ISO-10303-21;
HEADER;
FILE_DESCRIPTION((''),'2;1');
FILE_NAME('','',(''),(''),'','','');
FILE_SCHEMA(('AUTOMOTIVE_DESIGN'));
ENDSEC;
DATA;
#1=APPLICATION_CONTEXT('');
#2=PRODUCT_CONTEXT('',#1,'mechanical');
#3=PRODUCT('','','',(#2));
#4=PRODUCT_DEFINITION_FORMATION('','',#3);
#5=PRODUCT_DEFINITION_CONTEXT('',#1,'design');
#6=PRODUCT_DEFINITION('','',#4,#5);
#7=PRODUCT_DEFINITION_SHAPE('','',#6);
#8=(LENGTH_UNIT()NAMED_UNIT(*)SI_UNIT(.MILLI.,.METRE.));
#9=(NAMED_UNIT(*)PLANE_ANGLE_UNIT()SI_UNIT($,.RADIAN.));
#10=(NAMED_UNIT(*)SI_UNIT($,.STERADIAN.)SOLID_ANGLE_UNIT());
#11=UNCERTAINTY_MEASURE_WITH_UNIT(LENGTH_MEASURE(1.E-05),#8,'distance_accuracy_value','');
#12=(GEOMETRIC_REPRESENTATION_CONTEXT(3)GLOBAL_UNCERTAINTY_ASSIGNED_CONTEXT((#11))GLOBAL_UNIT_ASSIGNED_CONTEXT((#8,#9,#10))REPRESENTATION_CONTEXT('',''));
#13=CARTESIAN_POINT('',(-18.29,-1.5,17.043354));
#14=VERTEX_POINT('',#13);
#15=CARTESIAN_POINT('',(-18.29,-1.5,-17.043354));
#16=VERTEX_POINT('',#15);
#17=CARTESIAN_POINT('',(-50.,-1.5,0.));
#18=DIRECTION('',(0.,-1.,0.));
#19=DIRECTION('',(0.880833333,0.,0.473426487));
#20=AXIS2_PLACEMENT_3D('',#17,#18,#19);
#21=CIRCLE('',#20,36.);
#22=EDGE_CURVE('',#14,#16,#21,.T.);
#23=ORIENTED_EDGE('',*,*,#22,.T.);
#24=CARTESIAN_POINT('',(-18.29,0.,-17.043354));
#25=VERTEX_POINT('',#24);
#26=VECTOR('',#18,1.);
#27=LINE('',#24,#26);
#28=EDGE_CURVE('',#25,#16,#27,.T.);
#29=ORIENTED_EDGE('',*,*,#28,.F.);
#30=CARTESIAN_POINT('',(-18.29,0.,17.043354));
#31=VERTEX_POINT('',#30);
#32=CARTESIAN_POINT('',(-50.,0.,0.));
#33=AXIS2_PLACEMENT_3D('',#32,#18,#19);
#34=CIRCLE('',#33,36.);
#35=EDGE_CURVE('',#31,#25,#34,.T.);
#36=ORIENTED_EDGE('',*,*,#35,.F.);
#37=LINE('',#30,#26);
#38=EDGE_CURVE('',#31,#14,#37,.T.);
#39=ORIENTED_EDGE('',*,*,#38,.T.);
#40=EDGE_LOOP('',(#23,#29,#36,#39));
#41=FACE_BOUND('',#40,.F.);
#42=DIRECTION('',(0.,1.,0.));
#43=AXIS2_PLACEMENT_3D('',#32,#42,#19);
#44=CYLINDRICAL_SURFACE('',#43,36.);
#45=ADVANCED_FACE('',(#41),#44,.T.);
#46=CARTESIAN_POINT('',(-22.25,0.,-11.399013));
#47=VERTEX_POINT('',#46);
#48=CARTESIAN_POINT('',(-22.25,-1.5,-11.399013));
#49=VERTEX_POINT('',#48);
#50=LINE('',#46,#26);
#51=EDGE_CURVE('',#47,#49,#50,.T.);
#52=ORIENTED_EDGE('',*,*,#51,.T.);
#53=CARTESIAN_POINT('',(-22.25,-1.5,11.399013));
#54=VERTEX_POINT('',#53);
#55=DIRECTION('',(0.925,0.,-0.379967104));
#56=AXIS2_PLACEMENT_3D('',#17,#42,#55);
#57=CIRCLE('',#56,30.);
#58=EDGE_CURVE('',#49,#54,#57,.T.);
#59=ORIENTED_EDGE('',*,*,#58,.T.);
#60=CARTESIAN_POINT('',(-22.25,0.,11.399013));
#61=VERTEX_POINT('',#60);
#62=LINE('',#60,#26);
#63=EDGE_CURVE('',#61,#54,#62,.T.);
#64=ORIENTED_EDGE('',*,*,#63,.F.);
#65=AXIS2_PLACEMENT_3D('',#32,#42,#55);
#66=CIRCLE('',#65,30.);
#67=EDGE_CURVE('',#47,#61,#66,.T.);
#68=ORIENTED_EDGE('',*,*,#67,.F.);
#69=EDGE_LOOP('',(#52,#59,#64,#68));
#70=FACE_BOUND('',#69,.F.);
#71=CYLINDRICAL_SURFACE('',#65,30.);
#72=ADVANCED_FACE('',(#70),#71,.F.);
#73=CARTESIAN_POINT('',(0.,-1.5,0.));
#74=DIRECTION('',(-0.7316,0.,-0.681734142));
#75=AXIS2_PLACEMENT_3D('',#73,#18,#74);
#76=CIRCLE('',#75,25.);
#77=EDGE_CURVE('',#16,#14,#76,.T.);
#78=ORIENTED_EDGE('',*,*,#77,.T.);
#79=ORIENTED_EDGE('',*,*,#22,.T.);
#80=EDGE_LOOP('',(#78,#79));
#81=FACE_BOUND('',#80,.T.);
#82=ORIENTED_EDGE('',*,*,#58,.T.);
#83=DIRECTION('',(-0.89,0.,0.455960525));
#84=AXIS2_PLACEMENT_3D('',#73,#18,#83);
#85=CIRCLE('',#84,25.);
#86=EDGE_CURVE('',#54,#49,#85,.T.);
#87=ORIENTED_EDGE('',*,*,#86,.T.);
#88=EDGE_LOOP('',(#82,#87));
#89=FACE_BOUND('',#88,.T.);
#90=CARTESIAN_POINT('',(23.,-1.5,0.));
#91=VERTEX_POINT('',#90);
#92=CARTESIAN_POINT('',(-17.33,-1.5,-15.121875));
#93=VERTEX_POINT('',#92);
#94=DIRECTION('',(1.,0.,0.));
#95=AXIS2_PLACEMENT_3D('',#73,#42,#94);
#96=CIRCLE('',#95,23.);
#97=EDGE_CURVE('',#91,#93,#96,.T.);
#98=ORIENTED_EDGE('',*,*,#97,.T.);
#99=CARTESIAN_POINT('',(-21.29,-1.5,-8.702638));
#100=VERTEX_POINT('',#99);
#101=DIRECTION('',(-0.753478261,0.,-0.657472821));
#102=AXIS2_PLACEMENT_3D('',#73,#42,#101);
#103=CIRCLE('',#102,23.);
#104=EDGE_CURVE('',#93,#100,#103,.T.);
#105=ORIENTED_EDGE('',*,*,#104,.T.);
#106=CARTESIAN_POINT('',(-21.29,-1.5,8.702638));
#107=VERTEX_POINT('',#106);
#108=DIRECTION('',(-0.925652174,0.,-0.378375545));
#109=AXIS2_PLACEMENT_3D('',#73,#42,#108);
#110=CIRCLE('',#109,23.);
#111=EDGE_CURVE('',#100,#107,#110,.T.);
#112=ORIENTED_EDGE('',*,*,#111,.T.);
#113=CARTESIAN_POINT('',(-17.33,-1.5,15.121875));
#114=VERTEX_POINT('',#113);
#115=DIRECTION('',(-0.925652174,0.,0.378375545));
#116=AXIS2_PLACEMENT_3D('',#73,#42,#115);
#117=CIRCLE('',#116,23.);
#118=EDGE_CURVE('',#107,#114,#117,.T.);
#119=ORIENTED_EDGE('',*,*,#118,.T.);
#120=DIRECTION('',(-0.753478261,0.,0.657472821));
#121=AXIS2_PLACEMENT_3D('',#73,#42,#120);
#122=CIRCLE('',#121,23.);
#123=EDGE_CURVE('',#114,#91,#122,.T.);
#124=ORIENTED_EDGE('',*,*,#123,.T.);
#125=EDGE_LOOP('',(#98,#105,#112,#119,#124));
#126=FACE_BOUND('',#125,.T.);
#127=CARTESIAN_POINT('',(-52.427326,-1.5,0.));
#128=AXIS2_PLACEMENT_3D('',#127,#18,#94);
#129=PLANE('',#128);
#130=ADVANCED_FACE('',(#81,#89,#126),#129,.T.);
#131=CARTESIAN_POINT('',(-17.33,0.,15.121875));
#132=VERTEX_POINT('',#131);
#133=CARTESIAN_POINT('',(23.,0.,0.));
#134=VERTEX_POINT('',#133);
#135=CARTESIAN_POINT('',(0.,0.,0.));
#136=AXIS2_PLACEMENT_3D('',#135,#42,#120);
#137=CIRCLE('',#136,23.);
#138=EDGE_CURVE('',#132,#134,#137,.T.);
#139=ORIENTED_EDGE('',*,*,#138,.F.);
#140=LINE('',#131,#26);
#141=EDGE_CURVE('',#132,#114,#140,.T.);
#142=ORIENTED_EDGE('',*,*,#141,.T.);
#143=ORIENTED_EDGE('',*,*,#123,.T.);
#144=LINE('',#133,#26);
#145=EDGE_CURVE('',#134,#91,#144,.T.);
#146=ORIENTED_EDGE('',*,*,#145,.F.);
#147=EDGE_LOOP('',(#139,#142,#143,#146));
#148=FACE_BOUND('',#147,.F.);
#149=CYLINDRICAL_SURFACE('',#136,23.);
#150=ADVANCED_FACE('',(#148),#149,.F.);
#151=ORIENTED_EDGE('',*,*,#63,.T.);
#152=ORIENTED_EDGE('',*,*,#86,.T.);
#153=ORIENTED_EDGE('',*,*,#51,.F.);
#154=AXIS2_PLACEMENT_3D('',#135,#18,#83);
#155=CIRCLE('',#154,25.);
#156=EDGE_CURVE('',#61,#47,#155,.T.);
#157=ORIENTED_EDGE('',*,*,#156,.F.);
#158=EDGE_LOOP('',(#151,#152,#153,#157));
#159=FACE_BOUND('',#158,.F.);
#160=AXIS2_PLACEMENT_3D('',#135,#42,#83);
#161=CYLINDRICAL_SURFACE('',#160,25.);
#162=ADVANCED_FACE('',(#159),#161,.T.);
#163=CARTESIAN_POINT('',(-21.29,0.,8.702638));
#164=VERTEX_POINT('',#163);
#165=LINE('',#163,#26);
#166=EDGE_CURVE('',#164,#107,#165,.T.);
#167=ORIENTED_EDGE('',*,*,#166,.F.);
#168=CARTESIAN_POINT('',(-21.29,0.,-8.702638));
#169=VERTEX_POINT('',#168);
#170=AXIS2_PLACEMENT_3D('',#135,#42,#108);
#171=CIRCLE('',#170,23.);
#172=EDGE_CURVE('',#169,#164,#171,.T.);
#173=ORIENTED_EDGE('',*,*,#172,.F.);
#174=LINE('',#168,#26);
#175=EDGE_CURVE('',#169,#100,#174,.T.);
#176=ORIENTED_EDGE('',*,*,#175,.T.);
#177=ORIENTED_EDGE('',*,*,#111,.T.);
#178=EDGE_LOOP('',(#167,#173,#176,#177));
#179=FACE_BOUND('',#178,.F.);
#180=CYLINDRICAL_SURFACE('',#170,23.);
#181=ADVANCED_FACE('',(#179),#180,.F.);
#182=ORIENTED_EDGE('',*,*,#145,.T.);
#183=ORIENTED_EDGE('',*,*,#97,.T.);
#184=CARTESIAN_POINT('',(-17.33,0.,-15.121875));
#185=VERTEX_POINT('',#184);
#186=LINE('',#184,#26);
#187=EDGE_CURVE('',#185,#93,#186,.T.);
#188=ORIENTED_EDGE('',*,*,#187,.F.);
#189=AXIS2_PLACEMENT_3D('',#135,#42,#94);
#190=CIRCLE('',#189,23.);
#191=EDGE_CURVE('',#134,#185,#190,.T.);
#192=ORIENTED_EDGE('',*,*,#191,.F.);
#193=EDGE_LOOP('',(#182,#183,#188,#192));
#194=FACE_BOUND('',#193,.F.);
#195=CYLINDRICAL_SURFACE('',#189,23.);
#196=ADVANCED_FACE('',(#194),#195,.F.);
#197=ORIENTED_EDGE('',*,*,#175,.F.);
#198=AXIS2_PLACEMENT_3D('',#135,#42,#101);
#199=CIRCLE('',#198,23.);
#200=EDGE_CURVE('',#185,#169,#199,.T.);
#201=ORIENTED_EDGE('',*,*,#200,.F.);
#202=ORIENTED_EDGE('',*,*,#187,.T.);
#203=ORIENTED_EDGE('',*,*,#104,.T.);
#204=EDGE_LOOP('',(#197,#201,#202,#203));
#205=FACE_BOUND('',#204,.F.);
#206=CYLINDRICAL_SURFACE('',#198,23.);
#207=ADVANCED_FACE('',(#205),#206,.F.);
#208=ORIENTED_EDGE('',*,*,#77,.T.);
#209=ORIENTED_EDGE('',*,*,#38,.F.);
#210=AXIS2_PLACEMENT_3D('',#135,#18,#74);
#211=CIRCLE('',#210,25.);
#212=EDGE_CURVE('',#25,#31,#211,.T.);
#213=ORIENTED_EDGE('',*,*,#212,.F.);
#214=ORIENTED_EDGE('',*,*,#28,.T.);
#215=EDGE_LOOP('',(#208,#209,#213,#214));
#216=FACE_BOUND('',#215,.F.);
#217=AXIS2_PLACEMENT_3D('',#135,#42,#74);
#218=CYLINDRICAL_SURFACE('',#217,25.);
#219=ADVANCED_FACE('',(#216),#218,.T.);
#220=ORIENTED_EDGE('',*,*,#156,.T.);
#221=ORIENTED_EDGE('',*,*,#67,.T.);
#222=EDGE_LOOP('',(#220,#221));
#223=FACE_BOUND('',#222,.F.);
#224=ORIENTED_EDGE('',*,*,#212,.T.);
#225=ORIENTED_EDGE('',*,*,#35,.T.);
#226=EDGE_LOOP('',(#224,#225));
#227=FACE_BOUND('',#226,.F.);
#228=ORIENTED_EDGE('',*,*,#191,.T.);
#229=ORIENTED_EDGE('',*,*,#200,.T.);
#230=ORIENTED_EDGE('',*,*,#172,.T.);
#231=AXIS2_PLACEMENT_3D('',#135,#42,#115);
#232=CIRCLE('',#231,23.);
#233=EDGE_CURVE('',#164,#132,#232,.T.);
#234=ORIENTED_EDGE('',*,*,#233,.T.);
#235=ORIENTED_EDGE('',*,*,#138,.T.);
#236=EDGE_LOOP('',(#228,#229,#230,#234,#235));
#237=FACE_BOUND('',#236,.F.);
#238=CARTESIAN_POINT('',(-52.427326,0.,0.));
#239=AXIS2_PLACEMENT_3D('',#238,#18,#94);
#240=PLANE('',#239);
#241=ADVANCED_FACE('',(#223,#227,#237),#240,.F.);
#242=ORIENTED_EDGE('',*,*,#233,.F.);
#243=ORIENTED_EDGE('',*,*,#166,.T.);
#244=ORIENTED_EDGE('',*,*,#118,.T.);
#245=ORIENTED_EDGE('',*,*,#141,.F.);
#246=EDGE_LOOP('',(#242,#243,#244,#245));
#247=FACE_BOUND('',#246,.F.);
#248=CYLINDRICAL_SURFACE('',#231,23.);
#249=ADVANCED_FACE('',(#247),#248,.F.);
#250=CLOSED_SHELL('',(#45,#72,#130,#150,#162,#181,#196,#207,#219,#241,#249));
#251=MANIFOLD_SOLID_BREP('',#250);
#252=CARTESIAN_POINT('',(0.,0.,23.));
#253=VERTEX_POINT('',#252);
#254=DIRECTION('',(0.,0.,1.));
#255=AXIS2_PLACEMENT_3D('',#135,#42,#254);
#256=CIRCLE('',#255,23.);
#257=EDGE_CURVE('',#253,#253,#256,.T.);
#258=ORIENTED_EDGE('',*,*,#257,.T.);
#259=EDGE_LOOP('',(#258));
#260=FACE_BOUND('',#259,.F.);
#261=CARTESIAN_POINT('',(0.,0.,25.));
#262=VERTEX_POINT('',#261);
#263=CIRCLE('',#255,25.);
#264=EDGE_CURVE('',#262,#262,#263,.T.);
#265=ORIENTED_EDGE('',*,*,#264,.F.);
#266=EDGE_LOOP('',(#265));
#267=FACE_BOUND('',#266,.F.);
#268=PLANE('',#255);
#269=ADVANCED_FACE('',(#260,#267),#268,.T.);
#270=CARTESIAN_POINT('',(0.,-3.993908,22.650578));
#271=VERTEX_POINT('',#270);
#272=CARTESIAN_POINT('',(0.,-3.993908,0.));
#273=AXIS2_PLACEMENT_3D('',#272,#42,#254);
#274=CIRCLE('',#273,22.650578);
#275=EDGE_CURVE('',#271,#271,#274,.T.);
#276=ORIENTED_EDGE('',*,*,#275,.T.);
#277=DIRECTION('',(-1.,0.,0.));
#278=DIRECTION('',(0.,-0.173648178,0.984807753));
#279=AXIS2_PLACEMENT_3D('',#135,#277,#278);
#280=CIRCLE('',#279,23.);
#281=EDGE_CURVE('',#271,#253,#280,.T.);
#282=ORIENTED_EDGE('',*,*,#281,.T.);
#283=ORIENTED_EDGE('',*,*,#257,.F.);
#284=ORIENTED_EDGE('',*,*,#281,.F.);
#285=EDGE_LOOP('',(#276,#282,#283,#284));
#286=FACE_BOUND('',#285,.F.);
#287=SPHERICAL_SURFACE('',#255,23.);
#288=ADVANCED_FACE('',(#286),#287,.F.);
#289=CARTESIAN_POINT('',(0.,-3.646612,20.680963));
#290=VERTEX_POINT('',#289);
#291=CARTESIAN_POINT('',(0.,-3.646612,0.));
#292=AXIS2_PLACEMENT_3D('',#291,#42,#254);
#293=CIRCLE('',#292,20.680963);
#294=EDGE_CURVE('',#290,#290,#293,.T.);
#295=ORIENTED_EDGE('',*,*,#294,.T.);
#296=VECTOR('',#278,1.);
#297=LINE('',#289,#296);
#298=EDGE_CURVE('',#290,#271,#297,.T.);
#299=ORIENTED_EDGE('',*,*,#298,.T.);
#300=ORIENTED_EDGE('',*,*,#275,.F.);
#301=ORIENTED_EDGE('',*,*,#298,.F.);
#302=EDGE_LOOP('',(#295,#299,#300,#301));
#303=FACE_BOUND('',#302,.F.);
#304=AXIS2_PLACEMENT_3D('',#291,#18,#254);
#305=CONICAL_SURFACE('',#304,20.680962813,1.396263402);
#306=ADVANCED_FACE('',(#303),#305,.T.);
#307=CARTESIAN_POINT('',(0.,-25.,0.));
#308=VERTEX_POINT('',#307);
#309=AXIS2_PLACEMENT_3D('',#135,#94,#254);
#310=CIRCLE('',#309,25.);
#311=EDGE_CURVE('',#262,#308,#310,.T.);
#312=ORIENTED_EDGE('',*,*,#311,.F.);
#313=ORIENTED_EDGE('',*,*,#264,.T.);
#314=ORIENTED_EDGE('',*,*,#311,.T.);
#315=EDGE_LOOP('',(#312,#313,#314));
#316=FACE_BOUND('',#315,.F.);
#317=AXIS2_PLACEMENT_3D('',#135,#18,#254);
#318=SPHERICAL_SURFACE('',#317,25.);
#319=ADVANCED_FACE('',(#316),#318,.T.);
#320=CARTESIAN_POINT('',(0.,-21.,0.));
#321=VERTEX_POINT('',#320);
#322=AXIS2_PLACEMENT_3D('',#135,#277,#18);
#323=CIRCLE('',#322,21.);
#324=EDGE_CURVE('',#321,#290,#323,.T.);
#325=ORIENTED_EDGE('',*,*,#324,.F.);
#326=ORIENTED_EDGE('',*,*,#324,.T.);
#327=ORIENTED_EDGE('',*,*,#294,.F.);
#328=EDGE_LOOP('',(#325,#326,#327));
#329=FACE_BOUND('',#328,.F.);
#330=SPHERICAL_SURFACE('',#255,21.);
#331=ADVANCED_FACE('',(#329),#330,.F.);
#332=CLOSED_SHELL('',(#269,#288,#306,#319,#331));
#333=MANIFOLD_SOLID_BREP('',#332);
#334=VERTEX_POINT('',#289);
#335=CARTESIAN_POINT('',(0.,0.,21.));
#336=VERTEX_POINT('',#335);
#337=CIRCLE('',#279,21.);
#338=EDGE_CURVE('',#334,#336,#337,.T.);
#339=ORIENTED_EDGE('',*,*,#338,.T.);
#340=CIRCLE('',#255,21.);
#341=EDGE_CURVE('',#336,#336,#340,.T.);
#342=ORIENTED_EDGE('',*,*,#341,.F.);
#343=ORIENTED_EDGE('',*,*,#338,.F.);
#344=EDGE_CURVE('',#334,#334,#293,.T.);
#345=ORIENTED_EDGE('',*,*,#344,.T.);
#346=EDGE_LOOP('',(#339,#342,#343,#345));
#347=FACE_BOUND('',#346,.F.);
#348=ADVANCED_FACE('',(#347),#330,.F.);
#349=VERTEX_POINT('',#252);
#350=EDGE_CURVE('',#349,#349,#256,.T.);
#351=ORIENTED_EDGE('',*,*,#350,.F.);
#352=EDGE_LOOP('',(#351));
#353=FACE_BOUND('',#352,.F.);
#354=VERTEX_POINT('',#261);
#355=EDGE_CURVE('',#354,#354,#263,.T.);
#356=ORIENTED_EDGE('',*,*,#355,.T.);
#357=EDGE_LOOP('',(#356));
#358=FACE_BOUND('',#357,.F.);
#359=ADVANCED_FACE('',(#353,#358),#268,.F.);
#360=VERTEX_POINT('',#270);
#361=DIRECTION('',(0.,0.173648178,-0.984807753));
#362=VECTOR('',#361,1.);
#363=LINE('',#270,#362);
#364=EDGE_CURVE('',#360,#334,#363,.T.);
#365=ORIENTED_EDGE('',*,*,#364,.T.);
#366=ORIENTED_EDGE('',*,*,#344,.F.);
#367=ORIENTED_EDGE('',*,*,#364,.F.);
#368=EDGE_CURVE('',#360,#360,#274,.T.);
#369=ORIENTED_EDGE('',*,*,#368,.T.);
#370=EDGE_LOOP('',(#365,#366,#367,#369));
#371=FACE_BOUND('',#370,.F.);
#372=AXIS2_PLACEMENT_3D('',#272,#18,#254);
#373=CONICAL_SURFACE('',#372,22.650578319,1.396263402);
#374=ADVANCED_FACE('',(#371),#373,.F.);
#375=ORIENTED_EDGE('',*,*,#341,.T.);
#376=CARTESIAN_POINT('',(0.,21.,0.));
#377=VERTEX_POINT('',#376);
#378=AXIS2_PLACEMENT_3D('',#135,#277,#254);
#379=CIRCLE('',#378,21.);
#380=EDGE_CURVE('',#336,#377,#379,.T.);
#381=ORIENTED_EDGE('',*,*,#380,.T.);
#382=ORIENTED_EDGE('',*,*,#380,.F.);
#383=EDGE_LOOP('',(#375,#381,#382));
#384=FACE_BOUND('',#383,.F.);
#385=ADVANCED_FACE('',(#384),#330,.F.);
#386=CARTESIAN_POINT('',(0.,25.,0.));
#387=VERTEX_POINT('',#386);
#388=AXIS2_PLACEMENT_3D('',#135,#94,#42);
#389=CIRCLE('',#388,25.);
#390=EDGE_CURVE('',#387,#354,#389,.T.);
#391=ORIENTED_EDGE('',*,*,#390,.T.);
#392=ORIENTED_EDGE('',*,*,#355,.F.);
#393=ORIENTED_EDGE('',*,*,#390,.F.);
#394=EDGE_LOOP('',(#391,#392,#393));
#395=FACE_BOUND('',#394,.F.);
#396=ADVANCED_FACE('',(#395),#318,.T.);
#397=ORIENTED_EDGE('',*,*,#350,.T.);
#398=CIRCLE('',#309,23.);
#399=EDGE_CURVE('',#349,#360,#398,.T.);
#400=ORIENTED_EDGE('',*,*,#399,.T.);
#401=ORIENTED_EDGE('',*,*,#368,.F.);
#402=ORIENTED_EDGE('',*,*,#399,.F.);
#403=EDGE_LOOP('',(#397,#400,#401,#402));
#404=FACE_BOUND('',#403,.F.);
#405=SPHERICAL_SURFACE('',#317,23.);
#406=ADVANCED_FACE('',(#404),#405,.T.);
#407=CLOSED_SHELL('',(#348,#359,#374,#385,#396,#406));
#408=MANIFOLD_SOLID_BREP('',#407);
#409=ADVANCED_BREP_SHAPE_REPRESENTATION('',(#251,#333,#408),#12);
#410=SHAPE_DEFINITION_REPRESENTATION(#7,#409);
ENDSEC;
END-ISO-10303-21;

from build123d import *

# Parameters (mm, degrees)
F3_DEPTH = 1.5


with BuildPart() as f3:
    # F2 (on Front) → F3 (new body)
    with BuildSketch(Plane.XZ):
        with BuildLine():
            ThreePointArc((-22.25, 11.3990131152), (-20.4655208758, 14.358358377), (-18.29, 17.0433535432))
            ThreePointArc((-18.29, 17.0433535432), (-86, 0), (-18.29, -17.0433535432))
            ThreePointArc((-18.29, -17.0433535432), (-20.4655208758, -14.358358377), (-22.25, -11.3990131152))
            ThreePointArc((-22.25, -11.3990131152), (-80, 0), (-22.25, 11.3990131152))
        make_face()
        with BuildLine():
            ThreePointArc((-17.33, 15.1218748838), (-17.7956661292, 16.0897756336), (-18.29, 17.0433535432))
            ThreePointArc((-18.29, 17.0433535432), (-20.4655208758, 14.358358377), (-22.25, 11.3990131152))
            ThreePointArc((-22.25, 11.3990131152), (-21.7378254495, 10.0622805406), (-21.29, 8.7026375312))
            ThreePointArc((-21.29, 8.7026375312), (-19.5749266166, 12.0756883014), (-17.33, 15.1218748838))
        make_face()
        with BuildLine():
            ThreePointArc((-22.25, -11.3990131152), (-20.4655208758, -14.358358377), (-18.29, -17.0433535432))
            ThreePointArc((-18.29, -17.0433535432), (-17.7956661292, -16.0897756336), (-17.33, -15.1218748838))
            ThreePointArc((-17.33, -15.1218748838), (-19.5749266166, -12.0756883014), (-21.29, -8.7026375312))
            ThreePointArc((-21.29, -8.7026375312), (-21.7378254495, -10.0622805406), (-22.25, -11.3990131152))
        make_face()
        with BuildLine():
            ThreePointArc((-21.29, 8.7026375312), (-21.7378254495, 10.0622805406), (-22.25, 11.3990131152))
            ThreePointArc((-22.25, 11.3990131152), (-25, 0), (-22.25, -11.3990131152))
            ThreePointArc((-22.25, -11.3990131152), (-21.7378254495, -10.0622805406), (-21.29, -8.7026375312))
            ThreePointArc((-21.29, -8.7026375312), (-23, 0), (-21.29, 8.7026375312))
        make_face()
        with BuildLine():
            ThreePointArc((-18.29, -17.0433535432), (9.158329542, -23.2620936289), (25, 0))
            ThreePointArc((25, 0), (9.158329542, 23.2620936289), (-18.29, 17.0433535432))
            ThreePointArc((-18.29, 17.0433535432), (-17.7956661292, 16.0897756336), (-17.33, 15.1218748838))
            ThreePointArc((-17.33, 15.1218748838), (8.0749613002, 21.5359002598), (23, 0))
            ThreePointArc((23, 0), (8.0749613002, -21.5359002598), (-17.33, -15.1218748838))
            ThreePointArc((-17.33, -15.1218748838), (-17.7956661292, -16.0897756336), (-18.29, -17.0433535432))
        make_face()
    extrude(amount=F3_DEPTH)


with BuildPart() as f4:
    # F0 (on Right) → F4 (revolve)
    with BuildSketch(Plane.YZ):
        with BuildLine():
            Line((0, 23), (0, 25))
            ThreePointArc((0, 25), (-17.6776695297, 17.6776695297), (-25, 0))
            Line((-25, 0), (-23, 0))
            ThreePointArc((-23, 0), (-17.6190221917, 14.7841150228), (-3.9939080863, 22.6505783193))
            ThreePointArc((-3.9939080863, 22.6505783193), (-2.0045820832, 22.9124780561), (0, 23))
        make_face()
        with BuildLine():
            ThreePointArc((-3.9939080863, 22.6505783193), (-17.6190221917, 14.7841150228), (-23, 0))
            Line((-23, 0), (-21, 0))
            ThreePointArc((-21, 0), (-16.0869333055, 13.4985398034), (-3.646611731, 20.6809628133))
            Line((-3.646611731, 20.6809628133), (-3.9939080863, 22.6505783193))
        make_face()
    revolve(axis=Axis((0, 0, 0), (0, 1, 0)))


with BuildPart() as f5:
    # F0 (on Right) → F5 (revolve)
    with BuildSketch(Plane.YZ):
        with BuildLine():
            Line((0, 21), (0, 23))
            ThreePointArc((0, 23), (-2.0045820832, 22.9124780561), (-3.9939080863, 22.6505783193))
            Line((-3.9939080863, 22.6505783193), (-3.646611731, 20.6809628133))
            ThreePointArc((-3.646611731, 20.6809628133), (-1.8302705977, 20.9200886599), (0, 21))
        make_face()
        with BuildLine():
            Line((21, 0), (23, 0))
            ThreePointArc((23, 0), (16.2634559673, 16.2634559673), (0, 23))
            Line((0, 23), (0, 21))
            ThreePointArc((0, 21), (14.8492424049, 14.8492424049), (21, 0))
        make_face()
        with BuildLine():
            Line((23, 0), (25, 0))
            ThreePointArc((25, 0), (17.6776695297, 17.6776695297), (0, 25))
            Line((0, 25), (0, 23))
            ThreePointArc((0, 23), (16.2634559673, 16.2634559673), (23, 0))
        make_face()
    revolve(axis=Axis((0, 0, 0), (0, 1, 0)))


solid = Compound([f3.part, f4.part, f5.part])
